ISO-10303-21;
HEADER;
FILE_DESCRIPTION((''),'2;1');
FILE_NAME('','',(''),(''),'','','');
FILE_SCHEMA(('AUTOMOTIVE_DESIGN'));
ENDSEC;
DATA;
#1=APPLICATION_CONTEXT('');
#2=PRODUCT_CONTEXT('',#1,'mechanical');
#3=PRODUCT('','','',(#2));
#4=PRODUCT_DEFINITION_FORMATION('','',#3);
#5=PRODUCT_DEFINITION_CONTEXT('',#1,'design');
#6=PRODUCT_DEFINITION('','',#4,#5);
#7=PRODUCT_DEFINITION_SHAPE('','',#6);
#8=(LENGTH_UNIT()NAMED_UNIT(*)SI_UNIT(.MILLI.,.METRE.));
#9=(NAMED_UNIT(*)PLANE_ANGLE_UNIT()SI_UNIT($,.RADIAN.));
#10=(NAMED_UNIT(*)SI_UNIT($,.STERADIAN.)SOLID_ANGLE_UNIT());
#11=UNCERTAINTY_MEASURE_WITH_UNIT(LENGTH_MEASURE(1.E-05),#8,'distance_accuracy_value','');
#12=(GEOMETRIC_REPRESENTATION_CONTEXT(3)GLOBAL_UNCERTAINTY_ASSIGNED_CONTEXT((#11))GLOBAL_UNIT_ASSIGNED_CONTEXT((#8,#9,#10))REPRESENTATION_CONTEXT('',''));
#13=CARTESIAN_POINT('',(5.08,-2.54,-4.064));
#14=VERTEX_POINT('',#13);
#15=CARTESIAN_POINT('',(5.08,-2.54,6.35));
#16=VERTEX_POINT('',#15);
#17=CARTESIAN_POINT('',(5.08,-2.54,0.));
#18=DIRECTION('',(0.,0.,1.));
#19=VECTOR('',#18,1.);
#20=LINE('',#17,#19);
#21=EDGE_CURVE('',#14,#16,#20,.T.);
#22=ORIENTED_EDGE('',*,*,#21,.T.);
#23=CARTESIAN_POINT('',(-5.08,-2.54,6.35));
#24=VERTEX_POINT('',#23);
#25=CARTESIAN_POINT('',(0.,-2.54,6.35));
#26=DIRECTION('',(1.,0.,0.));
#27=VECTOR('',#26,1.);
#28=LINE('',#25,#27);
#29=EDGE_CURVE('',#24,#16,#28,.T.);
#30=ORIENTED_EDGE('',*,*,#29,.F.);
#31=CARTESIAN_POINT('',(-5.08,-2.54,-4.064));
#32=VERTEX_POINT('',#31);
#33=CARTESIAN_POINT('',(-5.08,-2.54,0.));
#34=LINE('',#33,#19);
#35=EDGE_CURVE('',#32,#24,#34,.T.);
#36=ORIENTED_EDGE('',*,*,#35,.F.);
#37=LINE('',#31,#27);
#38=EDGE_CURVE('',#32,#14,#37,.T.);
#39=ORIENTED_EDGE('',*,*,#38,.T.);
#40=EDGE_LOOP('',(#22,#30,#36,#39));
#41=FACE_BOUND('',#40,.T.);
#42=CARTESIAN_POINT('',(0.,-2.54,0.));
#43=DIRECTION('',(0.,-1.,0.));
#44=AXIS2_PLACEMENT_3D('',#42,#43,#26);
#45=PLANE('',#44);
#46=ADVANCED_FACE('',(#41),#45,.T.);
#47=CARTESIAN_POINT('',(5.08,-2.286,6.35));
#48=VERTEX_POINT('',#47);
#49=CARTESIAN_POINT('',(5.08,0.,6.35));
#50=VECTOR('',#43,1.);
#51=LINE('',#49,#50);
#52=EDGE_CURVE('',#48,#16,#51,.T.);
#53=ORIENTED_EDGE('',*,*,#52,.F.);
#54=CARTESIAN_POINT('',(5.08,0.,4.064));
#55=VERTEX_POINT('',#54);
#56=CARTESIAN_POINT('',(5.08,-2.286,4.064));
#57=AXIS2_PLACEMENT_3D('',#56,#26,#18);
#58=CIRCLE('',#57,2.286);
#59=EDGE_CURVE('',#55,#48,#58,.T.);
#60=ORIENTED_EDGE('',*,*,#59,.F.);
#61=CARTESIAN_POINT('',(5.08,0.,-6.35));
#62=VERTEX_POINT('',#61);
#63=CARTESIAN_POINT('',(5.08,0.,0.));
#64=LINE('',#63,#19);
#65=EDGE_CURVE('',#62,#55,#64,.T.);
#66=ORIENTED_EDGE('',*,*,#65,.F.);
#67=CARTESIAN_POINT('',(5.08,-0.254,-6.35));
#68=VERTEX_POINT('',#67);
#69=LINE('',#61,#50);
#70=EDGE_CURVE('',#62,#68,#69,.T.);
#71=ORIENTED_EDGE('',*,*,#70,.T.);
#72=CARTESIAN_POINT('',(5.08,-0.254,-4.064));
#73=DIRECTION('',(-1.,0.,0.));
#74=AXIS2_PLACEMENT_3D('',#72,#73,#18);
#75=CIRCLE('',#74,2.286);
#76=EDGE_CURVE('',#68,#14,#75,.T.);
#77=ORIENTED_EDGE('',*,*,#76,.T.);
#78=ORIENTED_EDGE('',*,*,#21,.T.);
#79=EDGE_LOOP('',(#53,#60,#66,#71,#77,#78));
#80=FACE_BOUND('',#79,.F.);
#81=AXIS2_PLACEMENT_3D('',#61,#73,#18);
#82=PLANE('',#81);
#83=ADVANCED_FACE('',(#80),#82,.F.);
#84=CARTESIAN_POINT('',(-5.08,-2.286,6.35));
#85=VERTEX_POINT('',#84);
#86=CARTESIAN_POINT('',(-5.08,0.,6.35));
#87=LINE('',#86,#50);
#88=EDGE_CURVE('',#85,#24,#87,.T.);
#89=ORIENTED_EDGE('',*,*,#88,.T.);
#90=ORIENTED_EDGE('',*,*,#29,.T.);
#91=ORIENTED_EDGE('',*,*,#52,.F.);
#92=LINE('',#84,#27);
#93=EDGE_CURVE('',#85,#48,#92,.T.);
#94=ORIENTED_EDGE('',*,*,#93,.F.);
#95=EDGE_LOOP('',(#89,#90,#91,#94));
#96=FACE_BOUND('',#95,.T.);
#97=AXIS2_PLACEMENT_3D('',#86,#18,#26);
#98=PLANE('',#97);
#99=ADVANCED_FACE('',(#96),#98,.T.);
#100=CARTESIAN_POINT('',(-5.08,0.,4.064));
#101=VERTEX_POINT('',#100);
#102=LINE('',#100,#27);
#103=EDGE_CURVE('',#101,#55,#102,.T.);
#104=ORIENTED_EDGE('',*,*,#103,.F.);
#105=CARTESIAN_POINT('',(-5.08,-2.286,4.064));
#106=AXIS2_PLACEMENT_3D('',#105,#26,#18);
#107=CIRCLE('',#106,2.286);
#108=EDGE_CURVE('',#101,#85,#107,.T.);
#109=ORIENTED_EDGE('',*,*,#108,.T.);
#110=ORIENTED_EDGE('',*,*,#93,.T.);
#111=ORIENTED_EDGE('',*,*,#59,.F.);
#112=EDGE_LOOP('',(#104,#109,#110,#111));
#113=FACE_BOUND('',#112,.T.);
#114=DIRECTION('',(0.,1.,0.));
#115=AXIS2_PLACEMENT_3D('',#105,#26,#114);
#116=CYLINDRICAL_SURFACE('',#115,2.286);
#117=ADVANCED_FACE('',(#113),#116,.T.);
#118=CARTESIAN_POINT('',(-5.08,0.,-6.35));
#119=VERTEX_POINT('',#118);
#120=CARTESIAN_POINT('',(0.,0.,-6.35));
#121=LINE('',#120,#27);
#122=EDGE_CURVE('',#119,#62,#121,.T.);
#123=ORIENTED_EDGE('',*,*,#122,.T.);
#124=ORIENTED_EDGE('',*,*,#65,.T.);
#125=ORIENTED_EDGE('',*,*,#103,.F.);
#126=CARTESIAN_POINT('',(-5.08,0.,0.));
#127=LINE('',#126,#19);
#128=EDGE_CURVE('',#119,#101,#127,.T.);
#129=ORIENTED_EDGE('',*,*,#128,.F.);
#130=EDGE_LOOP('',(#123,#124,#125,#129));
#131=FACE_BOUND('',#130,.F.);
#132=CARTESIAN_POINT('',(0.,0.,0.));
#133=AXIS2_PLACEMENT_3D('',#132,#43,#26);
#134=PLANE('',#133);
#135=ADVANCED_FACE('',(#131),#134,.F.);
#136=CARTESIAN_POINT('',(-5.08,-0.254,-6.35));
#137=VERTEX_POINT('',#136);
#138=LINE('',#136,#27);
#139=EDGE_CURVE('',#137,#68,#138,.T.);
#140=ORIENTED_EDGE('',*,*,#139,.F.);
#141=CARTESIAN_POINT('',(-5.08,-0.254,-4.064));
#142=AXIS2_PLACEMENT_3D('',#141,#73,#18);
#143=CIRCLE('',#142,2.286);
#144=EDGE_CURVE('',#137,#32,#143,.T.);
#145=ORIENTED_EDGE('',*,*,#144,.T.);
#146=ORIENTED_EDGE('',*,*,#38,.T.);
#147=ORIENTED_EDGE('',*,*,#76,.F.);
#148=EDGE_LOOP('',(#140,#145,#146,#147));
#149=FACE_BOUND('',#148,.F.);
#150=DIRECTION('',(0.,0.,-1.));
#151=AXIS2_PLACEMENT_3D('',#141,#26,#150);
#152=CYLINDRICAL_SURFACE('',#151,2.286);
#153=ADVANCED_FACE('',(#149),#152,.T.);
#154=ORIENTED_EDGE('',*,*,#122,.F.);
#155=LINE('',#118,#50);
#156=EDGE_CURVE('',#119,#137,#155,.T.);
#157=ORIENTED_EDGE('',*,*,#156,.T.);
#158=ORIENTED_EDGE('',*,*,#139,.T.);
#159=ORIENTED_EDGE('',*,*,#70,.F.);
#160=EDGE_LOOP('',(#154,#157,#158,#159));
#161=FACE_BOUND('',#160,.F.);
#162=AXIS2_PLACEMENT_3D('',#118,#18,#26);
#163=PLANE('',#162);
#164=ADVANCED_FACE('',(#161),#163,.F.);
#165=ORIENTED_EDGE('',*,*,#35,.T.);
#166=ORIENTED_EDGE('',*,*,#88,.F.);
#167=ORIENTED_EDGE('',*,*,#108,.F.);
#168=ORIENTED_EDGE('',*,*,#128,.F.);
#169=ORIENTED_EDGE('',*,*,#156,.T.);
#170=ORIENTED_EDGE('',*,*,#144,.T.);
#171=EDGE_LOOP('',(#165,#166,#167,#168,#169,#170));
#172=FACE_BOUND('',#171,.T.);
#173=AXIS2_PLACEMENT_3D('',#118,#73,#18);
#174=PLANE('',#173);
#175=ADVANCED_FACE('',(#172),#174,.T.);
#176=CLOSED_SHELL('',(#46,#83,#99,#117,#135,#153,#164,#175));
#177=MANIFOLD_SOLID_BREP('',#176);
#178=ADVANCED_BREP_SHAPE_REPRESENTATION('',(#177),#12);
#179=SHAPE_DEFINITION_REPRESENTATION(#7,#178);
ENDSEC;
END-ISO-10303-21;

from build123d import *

# Parameters (mm, degrees)
F0_W     = 10.16
F0_H     = 12.7
F1_DEPTH = 2.54
F2_R     = 2.286
F3_R     = 2.286


with BuildPart() as f1:
    # F0 (on Front) → F1 (new body)
    with BuildSketch(Plane.XZ):
        Rectangle(F0_W, F0_H)
    extrude(amount=F1_DEPTH)

    # F2
    f2_edges = [f1.edges().sort_by_distance(p)[0] for p in [
        (0, -2.54, -6.35),
    ]]
    fillet(f2_edges, radius=F2_R)

    # F3
    f3_edges = [f1.edges().sort_by_distance(p)[0] for p in [
        (0, 0, 6.35),
    ]]
    fillet(f3_edges, radius=F3_R)


solid = f1.part
